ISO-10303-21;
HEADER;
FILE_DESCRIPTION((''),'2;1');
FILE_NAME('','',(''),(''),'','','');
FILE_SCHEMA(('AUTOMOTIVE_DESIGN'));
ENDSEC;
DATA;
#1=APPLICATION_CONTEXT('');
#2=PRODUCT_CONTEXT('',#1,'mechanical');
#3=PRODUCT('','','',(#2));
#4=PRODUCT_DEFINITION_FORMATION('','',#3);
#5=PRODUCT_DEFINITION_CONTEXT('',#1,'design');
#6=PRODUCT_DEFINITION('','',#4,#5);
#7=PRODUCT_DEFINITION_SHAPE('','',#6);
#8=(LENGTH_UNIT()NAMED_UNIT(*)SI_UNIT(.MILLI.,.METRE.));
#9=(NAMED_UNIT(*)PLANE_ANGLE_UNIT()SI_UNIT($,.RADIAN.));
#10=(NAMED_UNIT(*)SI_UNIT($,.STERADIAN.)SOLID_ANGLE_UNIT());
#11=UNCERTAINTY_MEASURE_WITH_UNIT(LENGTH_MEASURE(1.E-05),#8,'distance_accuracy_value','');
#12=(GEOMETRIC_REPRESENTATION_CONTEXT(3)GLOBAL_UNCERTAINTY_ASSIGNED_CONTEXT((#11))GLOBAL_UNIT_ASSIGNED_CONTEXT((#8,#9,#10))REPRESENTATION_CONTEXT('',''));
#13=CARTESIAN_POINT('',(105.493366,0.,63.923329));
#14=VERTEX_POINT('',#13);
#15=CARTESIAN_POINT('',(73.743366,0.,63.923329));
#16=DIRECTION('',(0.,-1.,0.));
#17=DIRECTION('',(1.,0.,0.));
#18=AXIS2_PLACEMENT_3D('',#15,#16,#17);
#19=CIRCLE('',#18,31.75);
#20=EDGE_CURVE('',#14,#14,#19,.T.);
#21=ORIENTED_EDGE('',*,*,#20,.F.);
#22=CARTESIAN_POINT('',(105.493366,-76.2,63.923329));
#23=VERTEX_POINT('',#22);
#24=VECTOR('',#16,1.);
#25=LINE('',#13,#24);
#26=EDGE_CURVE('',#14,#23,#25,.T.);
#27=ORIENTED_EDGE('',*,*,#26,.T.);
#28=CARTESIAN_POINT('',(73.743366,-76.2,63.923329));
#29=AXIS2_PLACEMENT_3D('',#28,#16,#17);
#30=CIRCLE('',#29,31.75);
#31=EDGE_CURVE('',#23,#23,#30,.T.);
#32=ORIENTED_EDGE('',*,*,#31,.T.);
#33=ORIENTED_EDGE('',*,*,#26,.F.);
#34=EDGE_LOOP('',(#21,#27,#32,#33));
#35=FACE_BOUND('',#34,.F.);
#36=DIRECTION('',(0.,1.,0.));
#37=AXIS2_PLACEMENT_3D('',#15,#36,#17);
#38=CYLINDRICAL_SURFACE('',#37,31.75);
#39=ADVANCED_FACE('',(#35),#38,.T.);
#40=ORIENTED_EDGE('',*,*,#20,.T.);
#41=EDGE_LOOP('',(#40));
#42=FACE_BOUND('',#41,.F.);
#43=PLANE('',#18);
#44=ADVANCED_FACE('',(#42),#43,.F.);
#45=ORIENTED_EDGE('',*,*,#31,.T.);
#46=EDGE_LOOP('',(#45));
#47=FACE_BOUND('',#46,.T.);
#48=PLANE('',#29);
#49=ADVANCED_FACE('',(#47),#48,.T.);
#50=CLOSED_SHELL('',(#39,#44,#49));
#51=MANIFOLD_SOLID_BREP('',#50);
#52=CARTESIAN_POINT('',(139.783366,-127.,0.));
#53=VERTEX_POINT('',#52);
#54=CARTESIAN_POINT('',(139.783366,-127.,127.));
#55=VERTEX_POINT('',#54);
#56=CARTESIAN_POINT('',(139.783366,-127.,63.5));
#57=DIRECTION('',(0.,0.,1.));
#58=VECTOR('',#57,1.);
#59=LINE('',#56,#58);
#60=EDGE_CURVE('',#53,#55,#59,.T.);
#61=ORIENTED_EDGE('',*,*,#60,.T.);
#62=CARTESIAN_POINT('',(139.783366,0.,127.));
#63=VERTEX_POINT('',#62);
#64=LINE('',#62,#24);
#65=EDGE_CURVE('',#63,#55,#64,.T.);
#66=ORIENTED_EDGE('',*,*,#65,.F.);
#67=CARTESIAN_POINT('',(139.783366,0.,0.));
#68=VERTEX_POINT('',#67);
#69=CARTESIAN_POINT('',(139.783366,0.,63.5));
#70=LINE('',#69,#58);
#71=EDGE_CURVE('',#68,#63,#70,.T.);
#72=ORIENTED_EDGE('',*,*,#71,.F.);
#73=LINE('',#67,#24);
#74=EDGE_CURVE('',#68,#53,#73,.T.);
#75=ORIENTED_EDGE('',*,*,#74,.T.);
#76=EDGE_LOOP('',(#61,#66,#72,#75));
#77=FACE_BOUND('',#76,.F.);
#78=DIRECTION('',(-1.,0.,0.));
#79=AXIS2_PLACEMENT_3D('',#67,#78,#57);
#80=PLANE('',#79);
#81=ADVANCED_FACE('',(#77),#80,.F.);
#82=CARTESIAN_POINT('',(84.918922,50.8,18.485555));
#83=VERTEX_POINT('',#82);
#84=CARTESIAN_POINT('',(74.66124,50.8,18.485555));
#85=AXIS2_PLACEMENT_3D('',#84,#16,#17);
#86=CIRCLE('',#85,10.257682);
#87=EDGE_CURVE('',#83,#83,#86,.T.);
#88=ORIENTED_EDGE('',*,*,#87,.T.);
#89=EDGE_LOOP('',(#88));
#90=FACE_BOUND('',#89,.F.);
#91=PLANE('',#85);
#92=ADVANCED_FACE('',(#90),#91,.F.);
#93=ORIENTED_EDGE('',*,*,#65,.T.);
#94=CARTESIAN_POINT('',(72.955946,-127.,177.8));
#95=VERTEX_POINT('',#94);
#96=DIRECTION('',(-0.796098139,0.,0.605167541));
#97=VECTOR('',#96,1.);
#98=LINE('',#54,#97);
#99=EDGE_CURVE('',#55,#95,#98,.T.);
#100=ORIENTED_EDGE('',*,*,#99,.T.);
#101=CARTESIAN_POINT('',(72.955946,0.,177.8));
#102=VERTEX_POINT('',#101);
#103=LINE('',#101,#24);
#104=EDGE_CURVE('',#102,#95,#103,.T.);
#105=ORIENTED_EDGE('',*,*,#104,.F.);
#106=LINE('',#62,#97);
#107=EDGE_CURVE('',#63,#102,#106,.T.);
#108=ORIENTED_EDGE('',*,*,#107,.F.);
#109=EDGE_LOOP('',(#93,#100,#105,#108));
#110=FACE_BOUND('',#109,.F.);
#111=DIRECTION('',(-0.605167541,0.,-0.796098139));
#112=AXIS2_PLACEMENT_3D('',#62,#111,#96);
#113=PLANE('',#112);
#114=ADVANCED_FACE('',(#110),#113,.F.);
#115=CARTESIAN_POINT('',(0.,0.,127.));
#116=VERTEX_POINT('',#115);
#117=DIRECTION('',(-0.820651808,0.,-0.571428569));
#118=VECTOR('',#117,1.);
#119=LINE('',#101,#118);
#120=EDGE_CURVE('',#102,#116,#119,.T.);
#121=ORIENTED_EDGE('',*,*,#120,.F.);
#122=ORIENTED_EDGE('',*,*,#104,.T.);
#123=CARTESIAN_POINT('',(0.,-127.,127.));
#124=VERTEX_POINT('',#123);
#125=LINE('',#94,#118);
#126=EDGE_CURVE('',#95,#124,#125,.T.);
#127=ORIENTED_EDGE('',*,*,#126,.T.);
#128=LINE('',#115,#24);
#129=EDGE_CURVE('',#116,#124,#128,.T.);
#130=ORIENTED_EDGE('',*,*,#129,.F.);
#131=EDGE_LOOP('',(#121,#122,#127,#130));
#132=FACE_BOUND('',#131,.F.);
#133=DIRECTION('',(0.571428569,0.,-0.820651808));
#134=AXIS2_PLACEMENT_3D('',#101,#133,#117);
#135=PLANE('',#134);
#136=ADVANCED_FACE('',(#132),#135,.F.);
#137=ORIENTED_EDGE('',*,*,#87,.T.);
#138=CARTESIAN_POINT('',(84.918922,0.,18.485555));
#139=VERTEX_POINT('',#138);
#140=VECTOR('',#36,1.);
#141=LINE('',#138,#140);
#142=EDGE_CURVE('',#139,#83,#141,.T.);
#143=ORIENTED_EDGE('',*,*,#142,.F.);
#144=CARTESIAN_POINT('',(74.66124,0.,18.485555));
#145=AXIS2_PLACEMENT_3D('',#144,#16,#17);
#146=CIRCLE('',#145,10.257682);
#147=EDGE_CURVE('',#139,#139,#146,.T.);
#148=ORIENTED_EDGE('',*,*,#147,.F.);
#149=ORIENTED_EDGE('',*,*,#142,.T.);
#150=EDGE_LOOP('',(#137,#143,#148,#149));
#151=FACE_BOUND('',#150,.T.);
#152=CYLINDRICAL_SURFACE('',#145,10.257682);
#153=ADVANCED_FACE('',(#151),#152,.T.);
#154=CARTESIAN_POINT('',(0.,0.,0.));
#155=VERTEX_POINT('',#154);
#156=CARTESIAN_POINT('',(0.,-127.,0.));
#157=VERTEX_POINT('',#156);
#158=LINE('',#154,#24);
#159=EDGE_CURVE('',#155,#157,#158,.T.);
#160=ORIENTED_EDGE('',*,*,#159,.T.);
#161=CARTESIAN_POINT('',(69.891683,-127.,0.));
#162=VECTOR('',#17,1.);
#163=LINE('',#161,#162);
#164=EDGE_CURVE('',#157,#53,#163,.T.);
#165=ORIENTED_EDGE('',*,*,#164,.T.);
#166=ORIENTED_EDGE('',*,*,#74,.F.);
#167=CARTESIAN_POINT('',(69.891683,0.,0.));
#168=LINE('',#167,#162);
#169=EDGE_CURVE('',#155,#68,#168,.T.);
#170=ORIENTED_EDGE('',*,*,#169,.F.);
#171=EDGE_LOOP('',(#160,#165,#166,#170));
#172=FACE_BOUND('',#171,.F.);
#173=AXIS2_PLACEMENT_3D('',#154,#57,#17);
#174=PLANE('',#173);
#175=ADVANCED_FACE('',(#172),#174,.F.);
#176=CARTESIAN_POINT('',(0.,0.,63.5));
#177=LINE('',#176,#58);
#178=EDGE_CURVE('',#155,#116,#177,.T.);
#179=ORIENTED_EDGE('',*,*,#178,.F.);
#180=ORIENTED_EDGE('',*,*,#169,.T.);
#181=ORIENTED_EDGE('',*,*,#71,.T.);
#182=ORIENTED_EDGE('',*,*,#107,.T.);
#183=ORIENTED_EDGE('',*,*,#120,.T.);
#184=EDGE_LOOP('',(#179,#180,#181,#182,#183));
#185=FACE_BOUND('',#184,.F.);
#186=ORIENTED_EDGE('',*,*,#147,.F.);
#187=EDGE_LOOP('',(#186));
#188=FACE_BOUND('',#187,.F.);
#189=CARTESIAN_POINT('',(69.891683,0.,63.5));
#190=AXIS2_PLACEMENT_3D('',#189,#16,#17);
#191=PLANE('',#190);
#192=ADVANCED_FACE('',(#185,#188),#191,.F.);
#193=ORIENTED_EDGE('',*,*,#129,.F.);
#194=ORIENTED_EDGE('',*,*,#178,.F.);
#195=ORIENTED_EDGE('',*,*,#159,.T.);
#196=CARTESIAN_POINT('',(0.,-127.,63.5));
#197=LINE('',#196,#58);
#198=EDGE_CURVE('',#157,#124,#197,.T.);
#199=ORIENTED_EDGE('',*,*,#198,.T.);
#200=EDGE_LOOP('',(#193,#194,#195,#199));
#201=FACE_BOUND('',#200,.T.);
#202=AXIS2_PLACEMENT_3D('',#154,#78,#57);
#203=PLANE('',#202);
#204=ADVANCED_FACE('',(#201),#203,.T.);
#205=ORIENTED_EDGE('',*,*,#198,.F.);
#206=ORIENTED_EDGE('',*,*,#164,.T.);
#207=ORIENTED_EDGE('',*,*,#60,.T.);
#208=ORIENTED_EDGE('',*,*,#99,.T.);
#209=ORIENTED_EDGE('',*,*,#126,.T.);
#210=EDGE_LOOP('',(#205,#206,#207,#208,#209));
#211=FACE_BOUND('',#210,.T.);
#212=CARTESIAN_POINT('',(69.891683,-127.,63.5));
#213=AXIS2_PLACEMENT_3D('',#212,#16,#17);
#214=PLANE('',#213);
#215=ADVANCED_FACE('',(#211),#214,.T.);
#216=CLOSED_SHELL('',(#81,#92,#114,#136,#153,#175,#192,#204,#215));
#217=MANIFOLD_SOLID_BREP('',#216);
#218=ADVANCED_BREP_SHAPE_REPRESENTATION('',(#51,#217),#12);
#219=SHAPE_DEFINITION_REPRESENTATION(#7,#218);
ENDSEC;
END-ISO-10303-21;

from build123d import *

# Parameters (mm, degrees)
F0_W     = 139.783366
F0_H     = 127
F1_DEPTH = 127
F2_R     = 31.75
F3_DEPTH = 76.2
F4_R     = 10.257682
F5_DEPTH = 50.8


with BuildPart() as f1:
    # F0 (on Front) → F1 (new body)
    with BuildSketch(Plane.XZ):
        with Locations((69.891683, 63.5)):
            Rectangle(F0_W, F0_H)
        Polygon((72.955946, 177.8), (0, 127), (139.783366, 127), align=None)
    extrude(amount=F1_DEPTH)

    # F4 (on Front) → F5 (join)
    with BuildSketch(Plane.XZ):
        with Locations((74.66124, 18.485555)):
            Circle(F4_R)
    extrude(amount=-F5_DEPTH)


with BuildPart() as f3:
    # F2 (on Front) → F3 (new body)
    with BuildSketch(Plane.XZ):
        with Locations((73.743366, 63.923329)):
            Circle(F2_R)
    extrude(amount=F3_DEPTH)


solid = Compound([f1.part, f3.part])
